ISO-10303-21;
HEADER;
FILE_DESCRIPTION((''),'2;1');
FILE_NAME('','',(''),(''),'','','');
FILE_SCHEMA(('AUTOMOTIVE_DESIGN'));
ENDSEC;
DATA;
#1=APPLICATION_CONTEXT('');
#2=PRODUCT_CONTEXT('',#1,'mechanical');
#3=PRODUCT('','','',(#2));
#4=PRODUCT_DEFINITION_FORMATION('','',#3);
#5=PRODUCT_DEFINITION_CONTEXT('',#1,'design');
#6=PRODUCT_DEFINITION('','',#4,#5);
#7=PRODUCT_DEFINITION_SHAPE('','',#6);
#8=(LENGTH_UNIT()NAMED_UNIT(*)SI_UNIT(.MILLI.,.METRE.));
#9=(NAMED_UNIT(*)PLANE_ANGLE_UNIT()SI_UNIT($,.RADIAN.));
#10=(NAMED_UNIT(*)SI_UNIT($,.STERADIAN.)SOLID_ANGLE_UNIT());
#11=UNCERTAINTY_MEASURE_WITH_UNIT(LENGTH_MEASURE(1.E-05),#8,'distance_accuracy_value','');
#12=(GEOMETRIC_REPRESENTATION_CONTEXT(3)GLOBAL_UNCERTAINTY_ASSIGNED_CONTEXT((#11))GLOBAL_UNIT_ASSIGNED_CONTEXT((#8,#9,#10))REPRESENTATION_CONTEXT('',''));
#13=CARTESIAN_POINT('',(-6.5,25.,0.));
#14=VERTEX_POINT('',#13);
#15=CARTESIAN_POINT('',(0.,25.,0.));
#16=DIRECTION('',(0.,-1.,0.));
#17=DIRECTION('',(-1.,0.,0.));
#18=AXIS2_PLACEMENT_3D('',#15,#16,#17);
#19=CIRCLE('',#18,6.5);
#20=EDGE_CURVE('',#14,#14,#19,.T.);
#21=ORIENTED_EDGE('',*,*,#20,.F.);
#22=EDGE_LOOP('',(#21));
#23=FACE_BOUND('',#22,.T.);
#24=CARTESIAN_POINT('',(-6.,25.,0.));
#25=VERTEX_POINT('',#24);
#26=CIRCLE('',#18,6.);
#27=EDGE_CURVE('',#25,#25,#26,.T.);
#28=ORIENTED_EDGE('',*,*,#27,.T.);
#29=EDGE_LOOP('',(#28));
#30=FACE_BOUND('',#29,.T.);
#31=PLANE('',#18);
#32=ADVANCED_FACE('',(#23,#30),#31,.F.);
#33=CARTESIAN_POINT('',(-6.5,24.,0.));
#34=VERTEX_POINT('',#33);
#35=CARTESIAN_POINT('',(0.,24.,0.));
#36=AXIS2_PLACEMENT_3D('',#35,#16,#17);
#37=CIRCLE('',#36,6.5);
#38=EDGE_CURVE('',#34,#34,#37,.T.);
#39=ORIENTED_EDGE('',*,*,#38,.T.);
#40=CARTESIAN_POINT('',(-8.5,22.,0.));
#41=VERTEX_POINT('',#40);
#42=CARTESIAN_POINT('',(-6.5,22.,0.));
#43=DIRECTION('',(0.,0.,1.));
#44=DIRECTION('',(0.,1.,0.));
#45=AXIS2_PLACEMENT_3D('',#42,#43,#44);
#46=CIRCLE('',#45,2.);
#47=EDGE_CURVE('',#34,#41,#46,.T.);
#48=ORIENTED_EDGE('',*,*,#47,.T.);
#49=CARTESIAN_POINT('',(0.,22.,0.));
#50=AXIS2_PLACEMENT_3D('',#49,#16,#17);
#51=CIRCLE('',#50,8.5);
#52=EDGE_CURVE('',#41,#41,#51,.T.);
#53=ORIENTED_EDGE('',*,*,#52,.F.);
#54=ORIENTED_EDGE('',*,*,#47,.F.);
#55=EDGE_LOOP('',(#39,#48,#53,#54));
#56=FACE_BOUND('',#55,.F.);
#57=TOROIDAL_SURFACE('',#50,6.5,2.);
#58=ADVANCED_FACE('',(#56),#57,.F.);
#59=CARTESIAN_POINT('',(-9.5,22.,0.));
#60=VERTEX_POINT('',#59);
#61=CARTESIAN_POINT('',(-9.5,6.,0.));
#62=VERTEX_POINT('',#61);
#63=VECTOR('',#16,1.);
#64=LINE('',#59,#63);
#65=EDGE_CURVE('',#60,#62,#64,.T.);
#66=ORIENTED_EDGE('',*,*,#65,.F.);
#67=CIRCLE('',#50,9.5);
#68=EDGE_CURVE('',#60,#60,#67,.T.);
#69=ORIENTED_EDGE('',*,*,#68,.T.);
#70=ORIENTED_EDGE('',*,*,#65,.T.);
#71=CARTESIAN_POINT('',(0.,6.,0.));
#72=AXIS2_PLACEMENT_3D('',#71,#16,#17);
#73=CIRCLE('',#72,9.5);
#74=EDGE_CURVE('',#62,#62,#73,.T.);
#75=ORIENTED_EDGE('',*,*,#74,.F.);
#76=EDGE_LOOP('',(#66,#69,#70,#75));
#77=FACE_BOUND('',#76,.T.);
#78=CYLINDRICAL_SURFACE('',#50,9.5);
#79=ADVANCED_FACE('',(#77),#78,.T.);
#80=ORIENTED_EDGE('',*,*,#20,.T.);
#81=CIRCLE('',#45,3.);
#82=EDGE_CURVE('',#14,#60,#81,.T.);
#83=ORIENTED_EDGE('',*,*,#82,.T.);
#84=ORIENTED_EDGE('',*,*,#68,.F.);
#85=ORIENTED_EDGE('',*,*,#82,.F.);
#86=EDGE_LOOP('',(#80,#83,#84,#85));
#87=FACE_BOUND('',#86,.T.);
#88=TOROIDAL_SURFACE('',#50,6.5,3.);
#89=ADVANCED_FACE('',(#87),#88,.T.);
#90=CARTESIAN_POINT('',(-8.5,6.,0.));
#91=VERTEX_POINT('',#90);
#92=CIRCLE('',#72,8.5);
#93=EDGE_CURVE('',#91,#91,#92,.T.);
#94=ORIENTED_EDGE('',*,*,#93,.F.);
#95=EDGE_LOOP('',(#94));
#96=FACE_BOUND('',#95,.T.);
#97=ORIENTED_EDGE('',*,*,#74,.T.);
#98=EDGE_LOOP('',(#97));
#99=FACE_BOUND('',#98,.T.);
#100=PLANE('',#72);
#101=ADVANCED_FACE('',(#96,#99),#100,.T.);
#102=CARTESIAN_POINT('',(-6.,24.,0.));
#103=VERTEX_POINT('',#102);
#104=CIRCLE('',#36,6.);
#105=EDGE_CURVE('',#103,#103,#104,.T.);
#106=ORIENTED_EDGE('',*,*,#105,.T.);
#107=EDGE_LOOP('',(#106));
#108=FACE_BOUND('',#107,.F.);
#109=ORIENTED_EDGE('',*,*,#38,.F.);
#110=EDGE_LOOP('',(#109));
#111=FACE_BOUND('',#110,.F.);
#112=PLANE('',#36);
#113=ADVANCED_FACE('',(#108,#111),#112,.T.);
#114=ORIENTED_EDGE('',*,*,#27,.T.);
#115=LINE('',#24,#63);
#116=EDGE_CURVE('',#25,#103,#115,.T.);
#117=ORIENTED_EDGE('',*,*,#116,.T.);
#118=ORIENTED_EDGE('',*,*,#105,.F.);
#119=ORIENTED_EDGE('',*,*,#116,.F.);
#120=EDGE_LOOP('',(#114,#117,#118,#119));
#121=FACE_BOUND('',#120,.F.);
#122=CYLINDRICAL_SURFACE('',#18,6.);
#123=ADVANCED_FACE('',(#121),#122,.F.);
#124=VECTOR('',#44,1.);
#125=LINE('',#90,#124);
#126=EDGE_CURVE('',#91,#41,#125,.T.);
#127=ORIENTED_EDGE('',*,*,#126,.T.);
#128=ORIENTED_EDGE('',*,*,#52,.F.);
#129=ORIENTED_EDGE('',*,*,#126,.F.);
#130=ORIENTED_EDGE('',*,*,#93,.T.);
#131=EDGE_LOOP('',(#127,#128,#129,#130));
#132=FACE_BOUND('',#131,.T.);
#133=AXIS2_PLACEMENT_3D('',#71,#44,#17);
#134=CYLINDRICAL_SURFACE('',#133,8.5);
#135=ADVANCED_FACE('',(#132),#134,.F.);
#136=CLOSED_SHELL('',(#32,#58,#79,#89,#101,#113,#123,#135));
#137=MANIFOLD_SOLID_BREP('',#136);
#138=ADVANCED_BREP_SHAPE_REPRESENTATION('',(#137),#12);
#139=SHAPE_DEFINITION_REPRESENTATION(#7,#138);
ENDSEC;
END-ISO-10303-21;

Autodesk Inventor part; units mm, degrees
ref_plane "YZ Plane" through (0, 0, 0) normal (1, 0, 0) x (0, 1, 0)
ref_plane "XZ Plane" through (0, 0, 0) normal (0, 1, 0) x (-1, 0, 0)
ref_plane "XY Plane" through (0, 0, 0) normal (0, 0, 1) x (1, 0, 0)
sketch "Sketch1" plane through (0, 0, 0) normal (0, 0, 1) x (1, 0, 0)
  line L0 (11.5, 9) -> (11.5, 6) construction
  arc A0 (11.5, 6) -> (13.5, 6) centre (12.5, 6) ccw construction
  line L1 (13.5, 6) -> (13.5, 19.8063) construction
  arc A1 (13.5, 19.8063) -> (12, 21.3063) centre (12, 19.8063) ccw construction
  arc A2 (12, 24.3063) -> (12, 21.3063) centre (12, 22.8063) ccw construction
  arc A3 (12, 24.3063) -> (13.5, 25.8063) centre (12, 25.8063) ccw construction
  line L2 (13.5, 25.8063) -> (13.5, 71) construction
  arc A4 (13.5, 71) -> (11.5, 73) centre (11.5, 71) ccw construction
  line L3 (11.5, 73) -> (2, 73) construction
  line L4 (2, 73) -> (2, 80) construction
  arc A5 (2, 80) -> (1.2, 81.6) centre (0, 80) ccw construction
  arc A6 (0, 84) -> (1.2, 81.6) centre (3, 84) ccw construction
  arc A7 (-1.2, 81.6) -> (0, 84) centre (-3, 84) ccw construction
  arc A8 (-1.2, 81.6) -> (-2, 80) centre (0, 80) ccw construction
  line L5 (-2, 80) -> (-2, 73) construction
  line L6 (-2, 73) -> (-11.5, 73) construction
  arc A9 (-11.5, 73) -> (-13.5, 71) centre (-11.5, 71) ccw construction
  line L7 (-13.5, 71) -> (-13.5, 25.8063) construction
  arc A10 (-13.5, 25.8063) -> (-12, 24.3063) centre (-12, 25.8063) ccw construction
  arc A11 (-12, 21.3063) -> (-12, 24.3063) centre (-12, 22.8063) ccw construction
  arc A12 (-12, 21.3063) -> (-13.5, 19.8063) centre (-12, 19.8063) ccw construction
  line L8 (-13.5, 19.8063) -> (-13.5, 6) construction
  arc A13 (-13.5, 6) -> (-11.5, 6) centre (-12.5, 6) ccw construction
  line L9 (-11.5, 6) -> (-11.5, 9) construction
  arc A14 (-9.5, 11) -> (-11.5, 9) centre (-9.5, 9) ccw construction
  line L10 (-9.5, 11) -> (-9.5, 6) construction
  arc A15 (-15.5, 6) -> (-9.5, 6) centre (-12.5, 6) ccw construction
  line L11 (-15.5, 6) -> (-15.5, 19.8063) construction
  arc A16 (-13.8028, 22.8063) -> (-15.5, 19.8063) centre (-12, 19.8063) ccw construction
  arc A17 (-15.5, 25.8063) -> (-13.8028, 22.8063) centre (-12, 25.8063) ccw construction
  line L12 (-15.5, 25.8063) -> (-15.5, 71) construction
  arc A18 (-11.5, 75) -> (-15.5, 71) centre (-11.5, 71) ccw construction
  line L13 (-11.5, 75) -> (-3, 75) construction
  line L14 (-3, 75) -> (-3, 80) construction
  arc A19 (-1.8, 82.4) -> (-3, 80) centre (0, 80) ccw construction
  arc A20 (-1.8, 82.4) -> (-1, 84) centre (-3, 84) ccw construction
  arc A21 (0, 85) -> (-1, 84) centre (0, 84) ccw construction
  arc A22 (1, 84) -> (0, 85) centre (0, 84) ccw construction
  arc A23 (1, 84) -> (1.8, 82.4) centre (3, 84) ccw construction
  arc A24 (3, 80) -> (1.8, 82.4) centre (0, 80) ccw construction
  line L15 (3, 80) -> (3, 75) construction
  line L16 (3, 75) -> (11.5, 75) construction
  arc A25 (15.5, 71) -> (11.5, 75) centre (11.5, 71) ccw construction
  line L17 (15.5, 71) -> (15.5, 25.8063) construction
  arc A26 (13.8028, 22.8063) -> (15.5, 25.8063) centre (12, 25.8063) ccw construction
  arc A27 (15.5, 19.8063) -> (13.8028, 22.8063) centre (12, 19.8063) ccw construction
  line L18 (15.5, 19.8063) -> (15.5, 6) construction
  arc A28 (9.5, 6) -> (15.5, 6) centre (12.5, 6) ccw construction
  line L19 (9.5, 6) -> (9.5, 11) construction
  arc A29 (11.5, 9) -> (9.5, 11) centre (9.5, 9) ccw construction
  line L20 (-9.5, 6) -> (-8.5, 6)
  line L21 (-8.5, 6) -> (-8.5, 22)
  line L22 (-9.5, 22) -> (-9.5, 6)
  arc A30 (-6.5, 25) -> (-9.5, 22) centre (-6.5, 22) ccw
  arc A31 (-6.5, 24) -> (-8.5, 22) centre (-6.5, 22) ccw
  line L23 (-6, 25) -> (-6.5, 25)
  line L24 (-6, 24) -> (-6.5, 24)
  line L25 (5.1354, 22) -> (-7.1821, 22) construction
  line L26 (0, 22) -> (0, 0) construction
  line L27 (-6, 25) -> (-6, 24)
  dimension "d0" = 1
  dimension "d2" = 18
  dimension "d3" = 6
  dimension "d4" = 2
  dimension "d5" = 6
revolve "Revolution1" add sketch "Sketch1" angle 360 about axis through (0, 22, 0) along (0, -1, 0)
equation "\"d0\" = d1"
equation "\"d1\" = 1"
properties part number "anode-bell" material "Stainless Steel"
